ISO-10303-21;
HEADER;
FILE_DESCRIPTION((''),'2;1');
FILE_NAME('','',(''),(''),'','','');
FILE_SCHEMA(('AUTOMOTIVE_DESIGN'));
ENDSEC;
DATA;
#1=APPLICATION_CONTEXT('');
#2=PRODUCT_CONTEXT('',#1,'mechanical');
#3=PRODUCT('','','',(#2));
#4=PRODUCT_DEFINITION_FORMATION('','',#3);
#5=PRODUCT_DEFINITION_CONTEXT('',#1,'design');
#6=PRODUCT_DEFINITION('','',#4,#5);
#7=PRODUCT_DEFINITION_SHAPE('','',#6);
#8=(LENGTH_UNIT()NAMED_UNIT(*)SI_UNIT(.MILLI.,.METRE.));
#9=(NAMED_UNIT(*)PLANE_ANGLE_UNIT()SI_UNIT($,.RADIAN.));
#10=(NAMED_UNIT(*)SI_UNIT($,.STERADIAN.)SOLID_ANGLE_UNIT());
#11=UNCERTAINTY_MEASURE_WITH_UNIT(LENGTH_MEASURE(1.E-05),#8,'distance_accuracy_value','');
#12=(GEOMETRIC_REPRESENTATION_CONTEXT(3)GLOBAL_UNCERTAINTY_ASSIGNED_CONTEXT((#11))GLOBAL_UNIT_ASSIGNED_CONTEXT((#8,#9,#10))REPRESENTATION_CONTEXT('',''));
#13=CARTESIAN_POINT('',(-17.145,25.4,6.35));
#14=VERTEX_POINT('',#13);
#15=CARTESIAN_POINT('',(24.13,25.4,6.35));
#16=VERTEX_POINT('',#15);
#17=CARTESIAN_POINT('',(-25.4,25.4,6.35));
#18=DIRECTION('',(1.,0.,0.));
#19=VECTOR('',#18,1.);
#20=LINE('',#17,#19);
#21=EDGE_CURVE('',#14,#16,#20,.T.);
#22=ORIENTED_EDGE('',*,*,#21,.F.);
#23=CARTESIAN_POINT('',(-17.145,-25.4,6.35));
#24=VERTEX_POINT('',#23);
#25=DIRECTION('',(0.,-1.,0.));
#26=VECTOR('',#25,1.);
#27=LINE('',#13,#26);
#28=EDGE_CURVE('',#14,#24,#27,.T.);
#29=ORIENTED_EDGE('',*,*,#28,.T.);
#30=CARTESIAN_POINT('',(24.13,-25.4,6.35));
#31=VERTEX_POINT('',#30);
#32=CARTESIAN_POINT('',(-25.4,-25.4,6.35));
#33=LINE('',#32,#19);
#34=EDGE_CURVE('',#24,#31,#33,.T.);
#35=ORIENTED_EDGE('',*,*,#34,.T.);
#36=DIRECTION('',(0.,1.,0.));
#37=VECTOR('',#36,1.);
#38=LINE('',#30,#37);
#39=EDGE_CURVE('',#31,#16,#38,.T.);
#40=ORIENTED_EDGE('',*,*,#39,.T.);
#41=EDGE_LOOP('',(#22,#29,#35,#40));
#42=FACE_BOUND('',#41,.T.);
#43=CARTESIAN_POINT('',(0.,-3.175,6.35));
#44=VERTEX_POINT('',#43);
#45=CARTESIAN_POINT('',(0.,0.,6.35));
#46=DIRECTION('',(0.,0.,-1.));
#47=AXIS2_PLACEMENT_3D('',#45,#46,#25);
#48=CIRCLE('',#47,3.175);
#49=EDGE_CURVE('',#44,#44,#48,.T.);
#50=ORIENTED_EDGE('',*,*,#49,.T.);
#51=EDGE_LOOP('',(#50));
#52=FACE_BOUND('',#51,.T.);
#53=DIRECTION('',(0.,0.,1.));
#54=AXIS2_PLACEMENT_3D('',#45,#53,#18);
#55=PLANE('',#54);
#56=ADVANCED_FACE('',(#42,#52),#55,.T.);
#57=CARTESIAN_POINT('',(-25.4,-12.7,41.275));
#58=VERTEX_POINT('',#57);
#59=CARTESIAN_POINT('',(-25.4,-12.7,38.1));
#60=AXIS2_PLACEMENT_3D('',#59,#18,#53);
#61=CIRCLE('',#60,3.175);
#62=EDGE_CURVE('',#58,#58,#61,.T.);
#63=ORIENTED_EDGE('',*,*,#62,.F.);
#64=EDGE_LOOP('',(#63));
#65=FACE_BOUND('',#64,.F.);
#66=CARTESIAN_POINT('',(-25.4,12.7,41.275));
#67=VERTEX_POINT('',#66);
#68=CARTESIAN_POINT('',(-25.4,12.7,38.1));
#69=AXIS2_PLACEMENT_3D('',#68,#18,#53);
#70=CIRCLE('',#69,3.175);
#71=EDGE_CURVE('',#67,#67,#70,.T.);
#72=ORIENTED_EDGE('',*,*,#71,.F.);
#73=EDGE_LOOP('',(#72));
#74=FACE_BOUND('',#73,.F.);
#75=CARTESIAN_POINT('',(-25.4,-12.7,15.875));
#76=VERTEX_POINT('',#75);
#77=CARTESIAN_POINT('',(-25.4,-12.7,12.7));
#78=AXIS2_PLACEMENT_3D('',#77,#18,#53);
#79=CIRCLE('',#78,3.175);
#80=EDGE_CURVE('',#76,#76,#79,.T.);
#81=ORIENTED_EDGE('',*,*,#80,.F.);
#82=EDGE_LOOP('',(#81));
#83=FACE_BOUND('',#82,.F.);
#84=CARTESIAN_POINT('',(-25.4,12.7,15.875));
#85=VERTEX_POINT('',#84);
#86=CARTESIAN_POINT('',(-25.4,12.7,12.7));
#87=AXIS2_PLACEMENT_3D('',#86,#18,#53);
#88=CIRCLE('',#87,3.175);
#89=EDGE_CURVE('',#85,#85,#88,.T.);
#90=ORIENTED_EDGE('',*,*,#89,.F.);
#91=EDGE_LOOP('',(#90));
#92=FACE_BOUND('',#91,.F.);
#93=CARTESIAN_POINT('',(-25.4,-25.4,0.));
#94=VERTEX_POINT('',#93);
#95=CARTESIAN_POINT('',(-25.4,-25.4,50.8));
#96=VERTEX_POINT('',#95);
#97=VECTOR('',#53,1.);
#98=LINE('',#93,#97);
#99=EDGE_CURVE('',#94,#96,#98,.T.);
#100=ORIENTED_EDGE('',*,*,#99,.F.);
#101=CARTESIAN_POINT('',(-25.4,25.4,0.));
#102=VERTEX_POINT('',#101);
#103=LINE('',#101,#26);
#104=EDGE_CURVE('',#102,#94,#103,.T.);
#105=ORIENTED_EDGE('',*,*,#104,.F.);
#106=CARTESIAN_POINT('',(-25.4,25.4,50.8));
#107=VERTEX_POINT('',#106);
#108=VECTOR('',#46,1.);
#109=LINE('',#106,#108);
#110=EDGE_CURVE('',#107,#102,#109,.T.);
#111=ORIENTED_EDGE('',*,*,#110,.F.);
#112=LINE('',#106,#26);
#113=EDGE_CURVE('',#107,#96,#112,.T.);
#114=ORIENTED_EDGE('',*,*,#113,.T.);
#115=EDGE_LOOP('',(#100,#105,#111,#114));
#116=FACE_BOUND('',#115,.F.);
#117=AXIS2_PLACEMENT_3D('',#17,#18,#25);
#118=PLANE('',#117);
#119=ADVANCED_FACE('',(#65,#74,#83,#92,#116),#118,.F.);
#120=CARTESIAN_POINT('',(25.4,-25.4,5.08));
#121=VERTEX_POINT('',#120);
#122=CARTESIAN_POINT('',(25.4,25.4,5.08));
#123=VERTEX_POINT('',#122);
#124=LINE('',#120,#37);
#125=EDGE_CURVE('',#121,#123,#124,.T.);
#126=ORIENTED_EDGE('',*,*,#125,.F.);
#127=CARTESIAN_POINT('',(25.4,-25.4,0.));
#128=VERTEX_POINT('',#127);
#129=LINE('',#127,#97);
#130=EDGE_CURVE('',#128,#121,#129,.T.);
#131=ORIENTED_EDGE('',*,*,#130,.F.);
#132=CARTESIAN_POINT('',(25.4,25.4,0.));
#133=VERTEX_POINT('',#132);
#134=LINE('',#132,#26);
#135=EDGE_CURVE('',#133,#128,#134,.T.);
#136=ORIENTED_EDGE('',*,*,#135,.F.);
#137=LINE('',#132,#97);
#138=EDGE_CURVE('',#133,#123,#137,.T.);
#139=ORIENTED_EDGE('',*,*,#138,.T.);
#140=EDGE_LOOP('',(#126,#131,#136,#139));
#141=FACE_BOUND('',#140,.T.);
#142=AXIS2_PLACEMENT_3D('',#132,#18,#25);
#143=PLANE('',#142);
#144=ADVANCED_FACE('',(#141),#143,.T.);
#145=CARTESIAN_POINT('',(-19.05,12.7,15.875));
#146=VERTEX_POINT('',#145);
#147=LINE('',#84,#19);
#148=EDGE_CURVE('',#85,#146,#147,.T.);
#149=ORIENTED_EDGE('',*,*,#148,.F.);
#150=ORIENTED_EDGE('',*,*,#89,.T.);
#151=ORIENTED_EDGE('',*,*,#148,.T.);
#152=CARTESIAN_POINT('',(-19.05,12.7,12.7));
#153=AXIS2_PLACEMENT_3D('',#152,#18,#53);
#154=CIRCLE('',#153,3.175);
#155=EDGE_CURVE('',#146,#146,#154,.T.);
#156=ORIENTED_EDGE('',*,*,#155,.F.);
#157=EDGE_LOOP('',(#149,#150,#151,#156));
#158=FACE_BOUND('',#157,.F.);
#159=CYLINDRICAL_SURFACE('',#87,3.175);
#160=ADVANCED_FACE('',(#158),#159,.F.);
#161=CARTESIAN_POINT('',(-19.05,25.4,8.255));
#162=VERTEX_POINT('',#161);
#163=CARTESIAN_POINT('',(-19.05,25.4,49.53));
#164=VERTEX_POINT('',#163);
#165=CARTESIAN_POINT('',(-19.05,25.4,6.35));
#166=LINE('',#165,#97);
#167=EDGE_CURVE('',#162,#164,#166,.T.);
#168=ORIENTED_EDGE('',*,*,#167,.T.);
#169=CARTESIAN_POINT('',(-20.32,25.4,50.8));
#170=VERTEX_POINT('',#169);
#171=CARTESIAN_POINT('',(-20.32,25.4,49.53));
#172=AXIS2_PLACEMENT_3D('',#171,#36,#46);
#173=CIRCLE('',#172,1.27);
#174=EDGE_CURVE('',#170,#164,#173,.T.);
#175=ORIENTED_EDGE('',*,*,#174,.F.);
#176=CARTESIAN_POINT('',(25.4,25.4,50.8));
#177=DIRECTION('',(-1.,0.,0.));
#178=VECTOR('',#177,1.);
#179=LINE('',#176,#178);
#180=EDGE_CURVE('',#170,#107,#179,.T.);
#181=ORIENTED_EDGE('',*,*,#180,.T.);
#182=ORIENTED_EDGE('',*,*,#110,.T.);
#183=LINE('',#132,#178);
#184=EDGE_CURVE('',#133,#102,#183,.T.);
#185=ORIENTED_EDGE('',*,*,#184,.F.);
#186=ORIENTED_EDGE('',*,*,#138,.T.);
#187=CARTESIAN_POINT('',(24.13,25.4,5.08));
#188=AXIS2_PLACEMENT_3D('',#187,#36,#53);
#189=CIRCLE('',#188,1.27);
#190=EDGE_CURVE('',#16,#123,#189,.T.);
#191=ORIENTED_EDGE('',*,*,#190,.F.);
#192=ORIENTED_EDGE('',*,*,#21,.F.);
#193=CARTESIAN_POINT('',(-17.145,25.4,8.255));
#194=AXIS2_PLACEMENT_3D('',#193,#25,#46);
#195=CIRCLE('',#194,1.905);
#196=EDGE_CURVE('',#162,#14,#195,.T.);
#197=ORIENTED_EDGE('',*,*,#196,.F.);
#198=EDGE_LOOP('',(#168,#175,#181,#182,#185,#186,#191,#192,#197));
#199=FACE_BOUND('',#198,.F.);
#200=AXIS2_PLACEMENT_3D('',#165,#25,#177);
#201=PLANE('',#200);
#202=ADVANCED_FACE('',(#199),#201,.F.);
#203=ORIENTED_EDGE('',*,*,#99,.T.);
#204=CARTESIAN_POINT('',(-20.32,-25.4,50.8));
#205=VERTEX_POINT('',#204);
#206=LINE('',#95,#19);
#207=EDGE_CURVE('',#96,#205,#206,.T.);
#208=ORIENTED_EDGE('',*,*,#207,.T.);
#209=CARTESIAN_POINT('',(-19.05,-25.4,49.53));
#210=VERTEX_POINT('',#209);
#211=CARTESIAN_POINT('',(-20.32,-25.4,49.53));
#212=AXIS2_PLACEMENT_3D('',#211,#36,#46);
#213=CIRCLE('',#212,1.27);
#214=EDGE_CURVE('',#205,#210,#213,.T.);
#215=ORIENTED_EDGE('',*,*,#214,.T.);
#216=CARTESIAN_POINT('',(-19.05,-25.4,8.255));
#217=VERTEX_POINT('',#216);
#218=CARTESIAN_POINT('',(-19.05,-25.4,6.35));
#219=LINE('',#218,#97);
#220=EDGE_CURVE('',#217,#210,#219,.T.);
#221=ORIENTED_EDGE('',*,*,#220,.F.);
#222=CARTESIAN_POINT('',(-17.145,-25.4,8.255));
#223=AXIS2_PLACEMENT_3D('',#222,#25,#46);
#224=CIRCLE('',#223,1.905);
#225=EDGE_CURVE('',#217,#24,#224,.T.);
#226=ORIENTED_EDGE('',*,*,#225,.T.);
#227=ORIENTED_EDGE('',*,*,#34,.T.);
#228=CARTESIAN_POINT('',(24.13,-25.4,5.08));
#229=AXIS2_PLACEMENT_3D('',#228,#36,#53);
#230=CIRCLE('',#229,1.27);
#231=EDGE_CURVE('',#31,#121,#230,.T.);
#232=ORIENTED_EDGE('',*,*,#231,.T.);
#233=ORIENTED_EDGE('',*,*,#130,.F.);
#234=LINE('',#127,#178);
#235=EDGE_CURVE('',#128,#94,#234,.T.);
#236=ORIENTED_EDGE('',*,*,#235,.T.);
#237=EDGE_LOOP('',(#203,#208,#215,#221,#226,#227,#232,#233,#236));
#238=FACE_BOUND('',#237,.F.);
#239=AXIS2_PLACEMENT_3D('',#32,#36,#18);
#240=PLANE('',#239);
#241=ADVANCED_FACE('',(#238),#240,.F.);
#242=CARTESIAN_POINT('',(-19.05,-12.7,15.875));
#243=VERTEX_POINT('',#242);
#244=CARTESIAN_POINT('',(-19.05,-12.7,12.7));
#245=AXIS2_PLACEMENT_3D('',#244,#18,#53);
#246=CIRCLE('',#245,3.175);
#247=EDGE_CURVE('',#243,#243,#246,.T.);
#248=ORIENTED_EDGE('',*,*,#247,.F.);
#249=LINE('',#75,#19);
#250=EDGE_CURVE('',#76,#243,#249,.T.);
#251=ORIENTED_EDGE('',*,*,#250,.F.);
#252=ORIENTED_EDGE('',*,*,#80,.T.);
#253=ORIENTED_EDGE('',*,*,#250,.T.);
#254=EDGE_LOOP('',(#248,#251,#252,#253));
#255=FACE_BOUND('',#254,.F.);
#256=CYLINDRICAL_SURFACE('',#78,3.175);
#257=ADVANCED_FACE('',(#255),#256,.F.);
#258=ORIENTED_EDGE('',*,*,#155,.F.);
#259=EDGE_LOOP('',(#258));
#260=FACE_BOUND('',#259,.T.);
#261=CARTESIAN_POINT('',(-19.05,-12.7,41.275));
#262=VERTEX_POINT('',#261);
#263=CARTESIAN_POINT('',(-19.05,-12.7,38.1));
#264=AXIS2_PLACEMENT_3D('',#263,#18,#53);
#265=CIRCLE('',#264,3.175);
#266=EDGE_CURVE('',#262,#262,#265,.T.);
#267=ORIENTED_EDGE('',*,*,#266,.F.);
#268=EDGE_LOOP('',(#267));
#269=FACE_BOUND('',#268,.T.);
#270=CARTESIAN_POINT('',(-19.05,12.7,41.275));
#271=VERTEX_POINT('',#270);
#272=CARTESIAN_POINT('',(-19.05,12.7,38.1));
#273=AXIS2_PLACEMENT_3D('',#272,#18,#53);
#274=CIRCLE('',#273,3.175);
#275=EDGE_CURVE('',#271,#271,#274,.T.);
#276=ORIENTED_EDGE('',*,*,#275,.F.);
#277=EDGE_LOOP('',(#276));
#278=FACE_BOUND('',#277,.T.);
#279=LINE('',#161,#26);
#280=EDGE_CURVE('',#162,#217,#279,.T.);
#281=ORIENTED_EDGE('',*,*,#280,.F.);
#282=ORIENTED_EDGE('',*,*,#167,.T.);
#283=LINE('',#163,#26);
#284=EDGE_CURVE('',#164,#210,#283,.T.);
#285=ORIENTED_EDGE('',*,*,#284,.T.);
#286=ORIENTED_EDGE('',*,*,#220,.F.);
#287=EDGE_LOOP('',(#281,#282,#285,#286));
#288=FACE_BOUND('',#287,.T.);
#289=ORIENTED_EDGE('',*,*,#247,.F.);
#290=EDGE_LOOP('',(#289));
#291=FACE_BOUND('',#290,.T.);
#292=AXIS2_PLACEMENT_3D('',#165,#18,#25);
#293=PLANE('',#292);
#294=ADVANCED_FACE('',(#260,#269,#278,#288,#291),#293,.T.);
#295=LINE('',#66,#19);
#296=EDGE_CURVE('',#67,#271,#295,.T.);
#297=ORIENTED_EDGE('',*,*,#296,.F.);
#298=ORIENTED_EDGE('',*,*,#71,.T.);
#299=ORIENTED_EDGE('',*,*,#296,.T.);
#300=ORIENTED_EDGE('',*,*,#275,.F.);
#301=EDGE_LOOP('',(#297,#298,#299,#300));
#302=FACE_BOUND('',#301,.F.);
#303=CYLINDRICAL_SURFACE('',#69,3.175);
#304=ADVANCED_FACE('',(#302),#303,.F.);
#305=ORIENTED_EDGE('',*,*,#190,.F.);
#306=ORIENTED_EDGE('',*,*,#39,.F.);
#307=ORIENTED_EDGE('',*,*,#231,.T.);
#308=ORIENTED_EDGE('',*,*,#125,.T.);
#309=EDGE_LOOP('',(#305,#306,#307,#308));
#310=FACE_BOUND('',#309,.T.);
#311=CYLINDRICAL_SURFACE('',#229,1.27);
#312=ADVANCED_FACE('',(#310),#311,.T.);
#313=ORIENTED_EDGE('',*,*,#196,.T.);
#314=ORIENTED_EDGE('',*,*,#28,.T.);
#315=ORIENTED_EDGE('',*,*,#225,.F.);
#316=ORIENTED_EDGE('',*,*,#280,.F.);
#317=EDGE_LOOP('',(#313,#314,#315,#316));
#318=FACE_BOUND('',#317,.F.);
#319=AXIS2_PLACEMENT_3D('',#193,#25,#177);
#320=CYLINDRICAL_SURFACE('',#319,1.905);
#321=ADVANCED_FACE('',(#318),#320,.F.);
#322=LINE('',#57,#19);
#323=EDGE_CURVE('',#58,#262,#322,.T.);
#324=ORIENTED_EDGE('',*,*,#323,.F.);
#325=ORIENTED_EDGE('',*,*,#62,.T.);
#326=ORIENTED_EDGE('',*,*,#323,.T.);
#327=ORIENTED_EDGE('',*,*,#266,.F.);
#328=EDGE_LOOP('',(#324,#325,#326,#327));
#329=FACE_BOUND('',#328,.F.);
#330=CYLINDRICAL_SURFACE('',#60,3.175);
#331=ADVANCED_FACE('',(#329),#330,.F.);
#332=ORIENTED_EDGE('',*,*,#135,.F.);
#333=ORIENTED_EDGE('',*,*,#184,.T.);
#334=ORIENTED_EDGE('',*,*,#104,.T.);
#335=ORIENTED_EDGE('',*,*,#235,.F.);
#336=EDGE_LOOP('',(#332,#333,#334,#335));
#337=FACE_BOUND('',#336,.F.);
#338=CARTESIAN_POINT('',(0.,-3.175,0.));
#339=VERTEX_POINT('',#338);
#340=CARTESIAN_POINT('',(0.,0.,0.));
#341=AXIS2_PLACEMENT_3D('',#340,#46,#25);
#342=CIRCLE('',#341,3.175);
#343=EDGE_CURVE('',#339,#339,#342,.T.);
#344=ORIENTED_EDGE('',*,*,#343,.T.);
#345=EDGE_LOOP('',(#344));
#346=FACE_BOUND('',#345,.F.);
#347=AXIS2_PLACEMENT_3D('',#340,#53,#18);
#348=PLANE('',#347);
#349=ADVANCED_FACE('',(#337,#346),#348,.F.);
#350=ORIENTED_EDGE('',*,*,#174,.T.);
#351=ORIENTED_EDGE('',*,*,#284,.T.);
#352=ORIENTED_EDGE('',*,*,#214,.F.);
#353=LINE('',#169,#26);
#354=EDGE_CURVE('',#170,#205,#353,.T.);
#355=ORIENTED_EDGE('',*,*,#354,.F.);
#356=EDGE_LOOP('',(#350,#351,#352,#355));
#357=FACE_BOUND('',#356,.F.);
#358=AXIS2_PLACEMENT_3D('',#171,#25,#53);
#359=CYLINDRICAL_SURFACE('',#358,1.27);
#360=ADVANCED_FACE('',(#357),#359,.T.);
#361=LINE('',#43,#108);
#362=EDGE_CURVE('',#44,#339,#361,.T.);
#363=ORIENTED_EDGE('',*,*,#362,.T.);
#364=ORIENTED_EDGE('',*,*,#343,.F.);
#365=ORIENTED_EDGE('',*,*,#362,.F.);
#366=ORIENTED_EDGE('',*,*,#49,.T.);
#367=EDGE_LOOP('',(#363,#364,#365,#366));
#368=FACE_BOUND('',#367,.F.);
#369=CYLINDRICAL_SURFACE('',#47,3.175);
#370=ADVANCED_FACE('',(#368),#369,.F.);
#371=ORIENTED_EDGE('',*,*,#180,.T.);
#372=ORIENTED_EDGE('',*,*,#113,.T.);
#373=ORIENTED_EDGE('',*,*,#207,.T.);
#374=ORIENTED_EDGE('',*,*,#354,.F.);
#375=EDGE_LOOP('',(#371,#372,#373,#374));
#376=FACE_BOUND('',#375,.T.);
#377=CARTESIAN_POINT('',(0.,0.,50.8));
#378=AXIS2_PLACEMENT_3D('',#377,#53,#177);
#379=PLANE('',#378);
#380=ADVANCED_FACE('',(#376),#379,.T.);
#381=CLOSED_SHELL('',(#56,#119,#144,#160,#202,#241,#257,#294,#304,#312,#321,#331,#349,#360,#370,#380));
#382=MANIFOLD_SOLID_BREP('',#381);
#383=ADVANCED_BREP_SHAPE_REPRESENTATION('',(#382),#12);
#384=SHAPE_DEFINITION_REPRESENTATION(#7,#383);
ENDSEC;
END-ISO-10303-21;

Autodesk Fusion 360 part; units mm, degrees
sketch "Sketch1" plane through (0, 0, 0) normal (0, 0, 1) x (1, 0, 0)
  line L0 (-25.4, 25.4) -> (25.4, 25.4)
  line L1 (25.4, 25.4) -> (25.4, -25.4)
  line L2 (25.4, -25.4) -> (-25.4, -25.4)
  line L3 (-25.4, -25.4) -> (-25.4, 25.4)
  line L4 (0, 25.4) -> (0, -25.4)
  line L5 (-25.4, 0) -> (25.4, 0)
  circle A0 centre (0, 0) radius 3.175
  dimension "d1" = 6.35
  dimension "d2" = 50.8
  dimension "d3" = 50.8
extrude "Extrude1" add sketch "Sketch1" along normal blind 6.35
sketch "Sketch2" plane through (0, 0, 6.35) normal (0, 0, 1) x (-1, 0, 0)
  line L0 (25.4, 25.4) -> (-25.4, 25.4)
  line L1 (-25.4, 25.4) -> (-25.4, -25.4)
  line L2 (-25.4, -25.4) -> (25.4, -25.4)
  line L3 (25.4, -25.4) -> (25.4, 25.4)
  circle A0 centre (0, 0) radius 3.175
  dimension "d6" = 6.35
hole "Hole1" at (0, 0, 6.35) direction (0, 0, -1) diameter 6.35 depth 6.35 tip angle 118
sketch "Sketch3" plane through (0, 0, 6.35) normal (0, 0, 1) x (-1, 0, 0)
  circle A0 centre (0, 0) radius 3.175
  line L0 (25.4, 25.4) -> (-25.4, 25.4)
  line L1 (-25.4, 25.4) -> (-25.4, -25.4)
  line L2 (-25.4, -25.4) -> (25.4, -25.4)
  line L3 (25.4, -25.4) -> (25.4, 25.4)
  line L4 (19.05, -25.4) -> (19.05, 25.4)
  dimension "d10" = 6.35
extrude "Extrude2" add sketch "Sketch3" along normal blind 44.45 contours L0 L2 L3 L4
sketch "Sketch4" plane through (-25.4, 0, 0) normal (-1, 0, 0) x (0, -1, 0)
  line L0 (-25.4, 0) -> (25.4, 0)
  line L1 (25.4, 0) -> (25.4, 50.8)
  line L2 (25.4, 50.8) -> (-25.4, 50.8)
  line L3 (-25.4, 50.8) -> (-25.4, 0)
  circle A0 centre (-12.7, 38.1) radius 2.3812
  circle A1 centre (12.7, 38.1) radius 2.3812
  circle A2 centre (-12.7, 12.7) radius 2.3812
  circle A3 centre (12.7, 12.7) radius 2.3812
  dimension "d13" = 4.7625
  dimension "d16" = 25.4
  dimension "d17" = -25.4
hole "Hole2" at (-25.4, 12.7, 38.1) at (-25.4, -12.7, 38.1) at (-25.4, -12.7, 12.7) at (-25.4, 12.7, 12.7) direction (1, 0, 0) diameter 6.35 depth 6.35 tip angle 118
sketch "Sketch5" plane through (-25.4, 0, 0) normal (-1, 0, 0) x (0, -1, 0)
  circle A0 centre (12.7, 12.7) radius 3.175
  circle A1 centre (-12.7, 38.1) radius 3.175
  circle A2 centre (12.7, 38.1) radius 3.175
  circle A3 centre (-12.7, 12.7) radius 3.175
  line L0 (-25.4, 0) -> (25.4, 0)
  line L1 (25.4, 0) -> (25.4, 50.8)
  line L2 (25.4, 50.8) -> (-25.4, 50.8)
  line L3 (-25.4, 50.8) -> (-25.4, 0)
fillet "Fillet1" radius 1.27 1 edges at (-19.05, 0, 50.8)
fillet "Fillet2" radius 1.905 1 edges at (-19.05, 0, 6.35)
fillet "Fillet3" radius 1.27 1 edges at (25.4, 0, 6.35)
equation "d13 = ( 3 / 16 ) * 1 in"
